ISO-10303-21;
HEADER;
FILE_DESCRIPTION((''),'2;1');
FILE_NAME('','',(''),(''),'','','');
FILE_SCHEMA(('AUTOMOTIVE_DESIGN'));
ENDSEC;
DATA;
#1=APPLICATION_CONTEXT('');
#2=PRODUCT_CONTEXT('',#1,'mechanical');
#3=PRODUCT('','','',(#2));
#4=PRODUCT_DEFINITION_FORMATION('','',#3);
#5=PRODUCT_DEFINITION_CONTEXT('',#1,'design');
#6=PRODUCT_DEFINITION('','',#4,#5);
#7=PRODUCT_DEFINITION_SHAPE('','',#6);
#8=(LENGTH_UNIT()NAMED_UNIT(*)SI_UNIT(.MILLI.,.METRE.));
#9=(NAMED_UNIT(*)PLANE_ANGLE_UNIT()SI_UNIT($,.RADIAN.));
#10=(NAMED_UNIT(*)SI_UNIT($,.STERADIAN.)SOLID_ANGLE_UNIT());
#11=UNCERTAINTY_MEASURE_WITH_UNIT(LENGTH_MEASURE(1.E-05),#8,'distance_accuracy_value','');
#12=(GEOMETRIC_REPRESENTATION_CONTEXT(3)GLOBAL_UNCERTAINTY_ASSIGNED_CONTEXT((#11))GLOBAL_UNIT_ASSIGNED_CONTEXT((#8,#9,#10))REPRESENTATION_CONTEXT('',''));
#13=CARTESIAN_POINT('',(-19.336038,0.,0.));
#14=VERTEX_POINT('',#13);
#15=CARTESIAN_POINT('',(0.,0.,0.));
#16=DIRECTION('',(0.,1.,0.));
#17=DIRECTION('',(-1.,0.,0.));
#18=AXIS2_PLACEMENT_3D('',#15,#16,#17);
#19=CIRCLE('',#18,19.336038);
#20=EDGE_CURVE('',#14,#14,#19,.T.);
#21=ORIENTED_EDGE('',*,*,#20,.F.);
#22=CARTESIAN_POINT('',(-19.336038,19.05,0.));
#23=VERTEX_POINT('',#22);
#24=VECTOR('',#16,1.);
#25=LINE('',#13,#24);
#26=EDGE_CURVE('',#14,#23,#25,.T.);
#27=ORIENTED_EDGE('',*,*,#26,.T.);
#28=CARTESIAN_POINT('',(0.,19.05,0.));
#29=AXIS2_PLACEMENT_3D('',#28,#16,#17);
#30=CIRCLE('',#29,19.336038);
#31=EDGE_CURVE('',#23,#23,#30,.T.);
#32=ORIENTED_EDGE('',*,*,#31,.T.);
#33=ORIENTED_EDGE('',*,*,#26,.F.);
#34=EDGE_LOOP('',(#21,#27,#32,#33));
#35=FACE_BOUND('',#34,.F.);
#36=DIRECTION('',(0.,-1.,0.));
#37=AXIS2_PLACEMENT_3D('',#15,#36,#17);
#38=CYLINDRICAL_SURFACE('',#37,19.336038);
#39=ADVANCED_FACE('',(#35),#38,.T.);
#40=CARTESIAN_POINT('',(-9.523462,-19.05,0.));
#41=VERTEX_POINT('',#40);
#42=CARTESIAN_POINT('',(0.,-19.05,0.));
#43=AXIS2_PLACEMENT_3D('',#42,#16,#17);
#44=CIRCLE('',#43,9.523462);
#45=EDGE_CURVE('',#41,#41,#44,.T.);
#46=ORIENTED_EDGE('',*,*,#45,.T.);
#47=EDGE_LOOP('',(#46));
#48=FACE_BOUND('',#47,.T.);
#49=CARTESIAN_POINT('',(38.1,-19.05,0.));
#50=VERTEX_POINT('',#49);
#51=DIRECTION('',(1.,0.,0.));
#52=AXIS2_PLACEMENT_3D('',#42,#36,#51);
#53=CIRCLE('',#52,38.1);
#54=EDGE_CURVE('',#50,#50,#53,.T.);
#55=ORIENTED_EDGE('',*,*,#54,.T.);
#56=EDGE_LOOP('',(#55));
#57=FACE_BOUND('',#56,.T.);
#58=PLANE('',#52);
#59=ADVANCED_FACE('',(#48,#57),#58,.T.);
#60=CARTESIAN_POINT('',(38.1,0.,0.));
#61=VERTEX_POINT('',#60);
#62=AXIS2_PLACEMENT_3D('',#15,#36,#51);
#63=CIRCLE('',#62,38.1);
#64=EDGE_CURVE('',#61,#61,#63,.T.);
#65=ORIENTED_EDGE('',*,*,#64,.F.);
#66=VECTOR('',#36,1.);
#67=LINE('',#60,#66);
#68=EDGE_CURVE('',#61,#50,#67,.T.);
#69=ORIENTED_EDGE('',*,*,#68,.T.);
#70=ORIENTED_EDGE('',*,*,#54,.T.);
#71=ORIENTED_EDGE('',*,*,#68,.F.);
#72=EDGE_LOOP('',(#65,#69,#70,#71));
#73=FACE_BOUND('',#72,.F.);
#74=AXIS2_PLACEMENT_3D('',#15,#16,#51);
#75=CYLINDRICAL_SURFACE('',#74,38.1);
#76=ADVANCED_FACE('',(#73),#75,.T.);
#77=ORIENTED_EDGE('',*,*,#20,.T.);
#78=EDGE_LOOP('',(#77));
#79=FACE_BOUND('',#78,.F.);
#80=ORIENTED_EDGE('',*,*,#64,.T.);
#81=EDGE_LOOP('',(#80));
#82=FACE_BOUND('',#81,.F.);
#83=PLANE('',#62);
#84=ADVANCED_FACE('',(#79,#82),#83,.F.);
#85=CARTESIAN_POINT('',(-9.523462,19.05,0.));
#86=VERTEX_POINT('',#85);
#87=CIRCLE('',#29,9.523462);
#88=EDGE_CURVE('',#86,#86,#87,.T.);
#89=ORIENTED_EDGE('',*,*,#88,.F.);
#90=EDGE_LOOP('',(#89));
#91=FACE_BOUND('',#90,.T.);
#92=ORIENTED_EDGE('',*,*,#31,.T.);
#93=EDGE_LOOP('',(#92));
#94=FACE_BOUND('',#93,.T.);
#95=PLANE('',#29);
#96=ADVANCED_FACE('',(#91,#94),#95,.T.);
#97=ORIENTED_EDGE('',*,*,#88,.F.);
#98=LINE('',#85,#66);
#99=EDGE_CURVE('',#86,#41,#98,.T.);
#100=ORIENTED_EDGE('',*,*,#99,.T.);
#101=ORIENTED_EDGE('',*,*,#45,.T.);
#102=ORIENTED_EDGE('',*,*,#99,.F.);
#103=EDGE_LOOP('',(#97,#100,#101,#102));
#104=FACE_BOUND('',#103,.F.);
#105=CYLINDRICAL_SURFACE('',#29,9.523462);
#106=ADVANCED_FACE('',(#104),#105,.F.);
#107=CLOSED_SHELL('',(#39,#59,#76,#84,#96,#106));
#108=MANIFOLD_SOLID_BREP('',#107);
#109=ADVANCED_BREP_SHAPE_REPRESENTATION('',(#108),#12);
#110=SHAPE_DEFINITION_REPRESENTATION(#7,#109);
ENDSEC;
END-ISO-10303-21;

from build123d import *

# Parameters (mm, degrees)
F0_R     = 38.1
F1_DEPTH = 19.05
F2_R     = 19.336038
F3_DEPTH = 19.05
F4_R     = 9.523462
F5_DEPTH = 38.101


with BuildPart() as f1:
    # F0 (on Front) → F1 (new body)
    with BuildSketch(Plane.XZ):
        Circle(F0_R)
    extrude(amount=F1_DEPTH)

    # F2 (on face) → F3 (join)
    with BuildSketch(Plane(origin=(0, 0, 0), x_dir=(-1, 0, 0), z_dir=(0, 1, 0))):
        Circle(F2_R)
    extrude(amount=F3_DEPTH)

    # F4 (on face) → F5 (cut, through all)
    with BuildSketch(Plane(origin=(0, 19.05, 0), x_dir=(-1, 0, 0), z_dir=(0, 1, 0))):
        Circle(F4_R)
    extrude(amount=-F5_DEPTH, mode=Mode.SUBTRACT)


solid = f1.part
